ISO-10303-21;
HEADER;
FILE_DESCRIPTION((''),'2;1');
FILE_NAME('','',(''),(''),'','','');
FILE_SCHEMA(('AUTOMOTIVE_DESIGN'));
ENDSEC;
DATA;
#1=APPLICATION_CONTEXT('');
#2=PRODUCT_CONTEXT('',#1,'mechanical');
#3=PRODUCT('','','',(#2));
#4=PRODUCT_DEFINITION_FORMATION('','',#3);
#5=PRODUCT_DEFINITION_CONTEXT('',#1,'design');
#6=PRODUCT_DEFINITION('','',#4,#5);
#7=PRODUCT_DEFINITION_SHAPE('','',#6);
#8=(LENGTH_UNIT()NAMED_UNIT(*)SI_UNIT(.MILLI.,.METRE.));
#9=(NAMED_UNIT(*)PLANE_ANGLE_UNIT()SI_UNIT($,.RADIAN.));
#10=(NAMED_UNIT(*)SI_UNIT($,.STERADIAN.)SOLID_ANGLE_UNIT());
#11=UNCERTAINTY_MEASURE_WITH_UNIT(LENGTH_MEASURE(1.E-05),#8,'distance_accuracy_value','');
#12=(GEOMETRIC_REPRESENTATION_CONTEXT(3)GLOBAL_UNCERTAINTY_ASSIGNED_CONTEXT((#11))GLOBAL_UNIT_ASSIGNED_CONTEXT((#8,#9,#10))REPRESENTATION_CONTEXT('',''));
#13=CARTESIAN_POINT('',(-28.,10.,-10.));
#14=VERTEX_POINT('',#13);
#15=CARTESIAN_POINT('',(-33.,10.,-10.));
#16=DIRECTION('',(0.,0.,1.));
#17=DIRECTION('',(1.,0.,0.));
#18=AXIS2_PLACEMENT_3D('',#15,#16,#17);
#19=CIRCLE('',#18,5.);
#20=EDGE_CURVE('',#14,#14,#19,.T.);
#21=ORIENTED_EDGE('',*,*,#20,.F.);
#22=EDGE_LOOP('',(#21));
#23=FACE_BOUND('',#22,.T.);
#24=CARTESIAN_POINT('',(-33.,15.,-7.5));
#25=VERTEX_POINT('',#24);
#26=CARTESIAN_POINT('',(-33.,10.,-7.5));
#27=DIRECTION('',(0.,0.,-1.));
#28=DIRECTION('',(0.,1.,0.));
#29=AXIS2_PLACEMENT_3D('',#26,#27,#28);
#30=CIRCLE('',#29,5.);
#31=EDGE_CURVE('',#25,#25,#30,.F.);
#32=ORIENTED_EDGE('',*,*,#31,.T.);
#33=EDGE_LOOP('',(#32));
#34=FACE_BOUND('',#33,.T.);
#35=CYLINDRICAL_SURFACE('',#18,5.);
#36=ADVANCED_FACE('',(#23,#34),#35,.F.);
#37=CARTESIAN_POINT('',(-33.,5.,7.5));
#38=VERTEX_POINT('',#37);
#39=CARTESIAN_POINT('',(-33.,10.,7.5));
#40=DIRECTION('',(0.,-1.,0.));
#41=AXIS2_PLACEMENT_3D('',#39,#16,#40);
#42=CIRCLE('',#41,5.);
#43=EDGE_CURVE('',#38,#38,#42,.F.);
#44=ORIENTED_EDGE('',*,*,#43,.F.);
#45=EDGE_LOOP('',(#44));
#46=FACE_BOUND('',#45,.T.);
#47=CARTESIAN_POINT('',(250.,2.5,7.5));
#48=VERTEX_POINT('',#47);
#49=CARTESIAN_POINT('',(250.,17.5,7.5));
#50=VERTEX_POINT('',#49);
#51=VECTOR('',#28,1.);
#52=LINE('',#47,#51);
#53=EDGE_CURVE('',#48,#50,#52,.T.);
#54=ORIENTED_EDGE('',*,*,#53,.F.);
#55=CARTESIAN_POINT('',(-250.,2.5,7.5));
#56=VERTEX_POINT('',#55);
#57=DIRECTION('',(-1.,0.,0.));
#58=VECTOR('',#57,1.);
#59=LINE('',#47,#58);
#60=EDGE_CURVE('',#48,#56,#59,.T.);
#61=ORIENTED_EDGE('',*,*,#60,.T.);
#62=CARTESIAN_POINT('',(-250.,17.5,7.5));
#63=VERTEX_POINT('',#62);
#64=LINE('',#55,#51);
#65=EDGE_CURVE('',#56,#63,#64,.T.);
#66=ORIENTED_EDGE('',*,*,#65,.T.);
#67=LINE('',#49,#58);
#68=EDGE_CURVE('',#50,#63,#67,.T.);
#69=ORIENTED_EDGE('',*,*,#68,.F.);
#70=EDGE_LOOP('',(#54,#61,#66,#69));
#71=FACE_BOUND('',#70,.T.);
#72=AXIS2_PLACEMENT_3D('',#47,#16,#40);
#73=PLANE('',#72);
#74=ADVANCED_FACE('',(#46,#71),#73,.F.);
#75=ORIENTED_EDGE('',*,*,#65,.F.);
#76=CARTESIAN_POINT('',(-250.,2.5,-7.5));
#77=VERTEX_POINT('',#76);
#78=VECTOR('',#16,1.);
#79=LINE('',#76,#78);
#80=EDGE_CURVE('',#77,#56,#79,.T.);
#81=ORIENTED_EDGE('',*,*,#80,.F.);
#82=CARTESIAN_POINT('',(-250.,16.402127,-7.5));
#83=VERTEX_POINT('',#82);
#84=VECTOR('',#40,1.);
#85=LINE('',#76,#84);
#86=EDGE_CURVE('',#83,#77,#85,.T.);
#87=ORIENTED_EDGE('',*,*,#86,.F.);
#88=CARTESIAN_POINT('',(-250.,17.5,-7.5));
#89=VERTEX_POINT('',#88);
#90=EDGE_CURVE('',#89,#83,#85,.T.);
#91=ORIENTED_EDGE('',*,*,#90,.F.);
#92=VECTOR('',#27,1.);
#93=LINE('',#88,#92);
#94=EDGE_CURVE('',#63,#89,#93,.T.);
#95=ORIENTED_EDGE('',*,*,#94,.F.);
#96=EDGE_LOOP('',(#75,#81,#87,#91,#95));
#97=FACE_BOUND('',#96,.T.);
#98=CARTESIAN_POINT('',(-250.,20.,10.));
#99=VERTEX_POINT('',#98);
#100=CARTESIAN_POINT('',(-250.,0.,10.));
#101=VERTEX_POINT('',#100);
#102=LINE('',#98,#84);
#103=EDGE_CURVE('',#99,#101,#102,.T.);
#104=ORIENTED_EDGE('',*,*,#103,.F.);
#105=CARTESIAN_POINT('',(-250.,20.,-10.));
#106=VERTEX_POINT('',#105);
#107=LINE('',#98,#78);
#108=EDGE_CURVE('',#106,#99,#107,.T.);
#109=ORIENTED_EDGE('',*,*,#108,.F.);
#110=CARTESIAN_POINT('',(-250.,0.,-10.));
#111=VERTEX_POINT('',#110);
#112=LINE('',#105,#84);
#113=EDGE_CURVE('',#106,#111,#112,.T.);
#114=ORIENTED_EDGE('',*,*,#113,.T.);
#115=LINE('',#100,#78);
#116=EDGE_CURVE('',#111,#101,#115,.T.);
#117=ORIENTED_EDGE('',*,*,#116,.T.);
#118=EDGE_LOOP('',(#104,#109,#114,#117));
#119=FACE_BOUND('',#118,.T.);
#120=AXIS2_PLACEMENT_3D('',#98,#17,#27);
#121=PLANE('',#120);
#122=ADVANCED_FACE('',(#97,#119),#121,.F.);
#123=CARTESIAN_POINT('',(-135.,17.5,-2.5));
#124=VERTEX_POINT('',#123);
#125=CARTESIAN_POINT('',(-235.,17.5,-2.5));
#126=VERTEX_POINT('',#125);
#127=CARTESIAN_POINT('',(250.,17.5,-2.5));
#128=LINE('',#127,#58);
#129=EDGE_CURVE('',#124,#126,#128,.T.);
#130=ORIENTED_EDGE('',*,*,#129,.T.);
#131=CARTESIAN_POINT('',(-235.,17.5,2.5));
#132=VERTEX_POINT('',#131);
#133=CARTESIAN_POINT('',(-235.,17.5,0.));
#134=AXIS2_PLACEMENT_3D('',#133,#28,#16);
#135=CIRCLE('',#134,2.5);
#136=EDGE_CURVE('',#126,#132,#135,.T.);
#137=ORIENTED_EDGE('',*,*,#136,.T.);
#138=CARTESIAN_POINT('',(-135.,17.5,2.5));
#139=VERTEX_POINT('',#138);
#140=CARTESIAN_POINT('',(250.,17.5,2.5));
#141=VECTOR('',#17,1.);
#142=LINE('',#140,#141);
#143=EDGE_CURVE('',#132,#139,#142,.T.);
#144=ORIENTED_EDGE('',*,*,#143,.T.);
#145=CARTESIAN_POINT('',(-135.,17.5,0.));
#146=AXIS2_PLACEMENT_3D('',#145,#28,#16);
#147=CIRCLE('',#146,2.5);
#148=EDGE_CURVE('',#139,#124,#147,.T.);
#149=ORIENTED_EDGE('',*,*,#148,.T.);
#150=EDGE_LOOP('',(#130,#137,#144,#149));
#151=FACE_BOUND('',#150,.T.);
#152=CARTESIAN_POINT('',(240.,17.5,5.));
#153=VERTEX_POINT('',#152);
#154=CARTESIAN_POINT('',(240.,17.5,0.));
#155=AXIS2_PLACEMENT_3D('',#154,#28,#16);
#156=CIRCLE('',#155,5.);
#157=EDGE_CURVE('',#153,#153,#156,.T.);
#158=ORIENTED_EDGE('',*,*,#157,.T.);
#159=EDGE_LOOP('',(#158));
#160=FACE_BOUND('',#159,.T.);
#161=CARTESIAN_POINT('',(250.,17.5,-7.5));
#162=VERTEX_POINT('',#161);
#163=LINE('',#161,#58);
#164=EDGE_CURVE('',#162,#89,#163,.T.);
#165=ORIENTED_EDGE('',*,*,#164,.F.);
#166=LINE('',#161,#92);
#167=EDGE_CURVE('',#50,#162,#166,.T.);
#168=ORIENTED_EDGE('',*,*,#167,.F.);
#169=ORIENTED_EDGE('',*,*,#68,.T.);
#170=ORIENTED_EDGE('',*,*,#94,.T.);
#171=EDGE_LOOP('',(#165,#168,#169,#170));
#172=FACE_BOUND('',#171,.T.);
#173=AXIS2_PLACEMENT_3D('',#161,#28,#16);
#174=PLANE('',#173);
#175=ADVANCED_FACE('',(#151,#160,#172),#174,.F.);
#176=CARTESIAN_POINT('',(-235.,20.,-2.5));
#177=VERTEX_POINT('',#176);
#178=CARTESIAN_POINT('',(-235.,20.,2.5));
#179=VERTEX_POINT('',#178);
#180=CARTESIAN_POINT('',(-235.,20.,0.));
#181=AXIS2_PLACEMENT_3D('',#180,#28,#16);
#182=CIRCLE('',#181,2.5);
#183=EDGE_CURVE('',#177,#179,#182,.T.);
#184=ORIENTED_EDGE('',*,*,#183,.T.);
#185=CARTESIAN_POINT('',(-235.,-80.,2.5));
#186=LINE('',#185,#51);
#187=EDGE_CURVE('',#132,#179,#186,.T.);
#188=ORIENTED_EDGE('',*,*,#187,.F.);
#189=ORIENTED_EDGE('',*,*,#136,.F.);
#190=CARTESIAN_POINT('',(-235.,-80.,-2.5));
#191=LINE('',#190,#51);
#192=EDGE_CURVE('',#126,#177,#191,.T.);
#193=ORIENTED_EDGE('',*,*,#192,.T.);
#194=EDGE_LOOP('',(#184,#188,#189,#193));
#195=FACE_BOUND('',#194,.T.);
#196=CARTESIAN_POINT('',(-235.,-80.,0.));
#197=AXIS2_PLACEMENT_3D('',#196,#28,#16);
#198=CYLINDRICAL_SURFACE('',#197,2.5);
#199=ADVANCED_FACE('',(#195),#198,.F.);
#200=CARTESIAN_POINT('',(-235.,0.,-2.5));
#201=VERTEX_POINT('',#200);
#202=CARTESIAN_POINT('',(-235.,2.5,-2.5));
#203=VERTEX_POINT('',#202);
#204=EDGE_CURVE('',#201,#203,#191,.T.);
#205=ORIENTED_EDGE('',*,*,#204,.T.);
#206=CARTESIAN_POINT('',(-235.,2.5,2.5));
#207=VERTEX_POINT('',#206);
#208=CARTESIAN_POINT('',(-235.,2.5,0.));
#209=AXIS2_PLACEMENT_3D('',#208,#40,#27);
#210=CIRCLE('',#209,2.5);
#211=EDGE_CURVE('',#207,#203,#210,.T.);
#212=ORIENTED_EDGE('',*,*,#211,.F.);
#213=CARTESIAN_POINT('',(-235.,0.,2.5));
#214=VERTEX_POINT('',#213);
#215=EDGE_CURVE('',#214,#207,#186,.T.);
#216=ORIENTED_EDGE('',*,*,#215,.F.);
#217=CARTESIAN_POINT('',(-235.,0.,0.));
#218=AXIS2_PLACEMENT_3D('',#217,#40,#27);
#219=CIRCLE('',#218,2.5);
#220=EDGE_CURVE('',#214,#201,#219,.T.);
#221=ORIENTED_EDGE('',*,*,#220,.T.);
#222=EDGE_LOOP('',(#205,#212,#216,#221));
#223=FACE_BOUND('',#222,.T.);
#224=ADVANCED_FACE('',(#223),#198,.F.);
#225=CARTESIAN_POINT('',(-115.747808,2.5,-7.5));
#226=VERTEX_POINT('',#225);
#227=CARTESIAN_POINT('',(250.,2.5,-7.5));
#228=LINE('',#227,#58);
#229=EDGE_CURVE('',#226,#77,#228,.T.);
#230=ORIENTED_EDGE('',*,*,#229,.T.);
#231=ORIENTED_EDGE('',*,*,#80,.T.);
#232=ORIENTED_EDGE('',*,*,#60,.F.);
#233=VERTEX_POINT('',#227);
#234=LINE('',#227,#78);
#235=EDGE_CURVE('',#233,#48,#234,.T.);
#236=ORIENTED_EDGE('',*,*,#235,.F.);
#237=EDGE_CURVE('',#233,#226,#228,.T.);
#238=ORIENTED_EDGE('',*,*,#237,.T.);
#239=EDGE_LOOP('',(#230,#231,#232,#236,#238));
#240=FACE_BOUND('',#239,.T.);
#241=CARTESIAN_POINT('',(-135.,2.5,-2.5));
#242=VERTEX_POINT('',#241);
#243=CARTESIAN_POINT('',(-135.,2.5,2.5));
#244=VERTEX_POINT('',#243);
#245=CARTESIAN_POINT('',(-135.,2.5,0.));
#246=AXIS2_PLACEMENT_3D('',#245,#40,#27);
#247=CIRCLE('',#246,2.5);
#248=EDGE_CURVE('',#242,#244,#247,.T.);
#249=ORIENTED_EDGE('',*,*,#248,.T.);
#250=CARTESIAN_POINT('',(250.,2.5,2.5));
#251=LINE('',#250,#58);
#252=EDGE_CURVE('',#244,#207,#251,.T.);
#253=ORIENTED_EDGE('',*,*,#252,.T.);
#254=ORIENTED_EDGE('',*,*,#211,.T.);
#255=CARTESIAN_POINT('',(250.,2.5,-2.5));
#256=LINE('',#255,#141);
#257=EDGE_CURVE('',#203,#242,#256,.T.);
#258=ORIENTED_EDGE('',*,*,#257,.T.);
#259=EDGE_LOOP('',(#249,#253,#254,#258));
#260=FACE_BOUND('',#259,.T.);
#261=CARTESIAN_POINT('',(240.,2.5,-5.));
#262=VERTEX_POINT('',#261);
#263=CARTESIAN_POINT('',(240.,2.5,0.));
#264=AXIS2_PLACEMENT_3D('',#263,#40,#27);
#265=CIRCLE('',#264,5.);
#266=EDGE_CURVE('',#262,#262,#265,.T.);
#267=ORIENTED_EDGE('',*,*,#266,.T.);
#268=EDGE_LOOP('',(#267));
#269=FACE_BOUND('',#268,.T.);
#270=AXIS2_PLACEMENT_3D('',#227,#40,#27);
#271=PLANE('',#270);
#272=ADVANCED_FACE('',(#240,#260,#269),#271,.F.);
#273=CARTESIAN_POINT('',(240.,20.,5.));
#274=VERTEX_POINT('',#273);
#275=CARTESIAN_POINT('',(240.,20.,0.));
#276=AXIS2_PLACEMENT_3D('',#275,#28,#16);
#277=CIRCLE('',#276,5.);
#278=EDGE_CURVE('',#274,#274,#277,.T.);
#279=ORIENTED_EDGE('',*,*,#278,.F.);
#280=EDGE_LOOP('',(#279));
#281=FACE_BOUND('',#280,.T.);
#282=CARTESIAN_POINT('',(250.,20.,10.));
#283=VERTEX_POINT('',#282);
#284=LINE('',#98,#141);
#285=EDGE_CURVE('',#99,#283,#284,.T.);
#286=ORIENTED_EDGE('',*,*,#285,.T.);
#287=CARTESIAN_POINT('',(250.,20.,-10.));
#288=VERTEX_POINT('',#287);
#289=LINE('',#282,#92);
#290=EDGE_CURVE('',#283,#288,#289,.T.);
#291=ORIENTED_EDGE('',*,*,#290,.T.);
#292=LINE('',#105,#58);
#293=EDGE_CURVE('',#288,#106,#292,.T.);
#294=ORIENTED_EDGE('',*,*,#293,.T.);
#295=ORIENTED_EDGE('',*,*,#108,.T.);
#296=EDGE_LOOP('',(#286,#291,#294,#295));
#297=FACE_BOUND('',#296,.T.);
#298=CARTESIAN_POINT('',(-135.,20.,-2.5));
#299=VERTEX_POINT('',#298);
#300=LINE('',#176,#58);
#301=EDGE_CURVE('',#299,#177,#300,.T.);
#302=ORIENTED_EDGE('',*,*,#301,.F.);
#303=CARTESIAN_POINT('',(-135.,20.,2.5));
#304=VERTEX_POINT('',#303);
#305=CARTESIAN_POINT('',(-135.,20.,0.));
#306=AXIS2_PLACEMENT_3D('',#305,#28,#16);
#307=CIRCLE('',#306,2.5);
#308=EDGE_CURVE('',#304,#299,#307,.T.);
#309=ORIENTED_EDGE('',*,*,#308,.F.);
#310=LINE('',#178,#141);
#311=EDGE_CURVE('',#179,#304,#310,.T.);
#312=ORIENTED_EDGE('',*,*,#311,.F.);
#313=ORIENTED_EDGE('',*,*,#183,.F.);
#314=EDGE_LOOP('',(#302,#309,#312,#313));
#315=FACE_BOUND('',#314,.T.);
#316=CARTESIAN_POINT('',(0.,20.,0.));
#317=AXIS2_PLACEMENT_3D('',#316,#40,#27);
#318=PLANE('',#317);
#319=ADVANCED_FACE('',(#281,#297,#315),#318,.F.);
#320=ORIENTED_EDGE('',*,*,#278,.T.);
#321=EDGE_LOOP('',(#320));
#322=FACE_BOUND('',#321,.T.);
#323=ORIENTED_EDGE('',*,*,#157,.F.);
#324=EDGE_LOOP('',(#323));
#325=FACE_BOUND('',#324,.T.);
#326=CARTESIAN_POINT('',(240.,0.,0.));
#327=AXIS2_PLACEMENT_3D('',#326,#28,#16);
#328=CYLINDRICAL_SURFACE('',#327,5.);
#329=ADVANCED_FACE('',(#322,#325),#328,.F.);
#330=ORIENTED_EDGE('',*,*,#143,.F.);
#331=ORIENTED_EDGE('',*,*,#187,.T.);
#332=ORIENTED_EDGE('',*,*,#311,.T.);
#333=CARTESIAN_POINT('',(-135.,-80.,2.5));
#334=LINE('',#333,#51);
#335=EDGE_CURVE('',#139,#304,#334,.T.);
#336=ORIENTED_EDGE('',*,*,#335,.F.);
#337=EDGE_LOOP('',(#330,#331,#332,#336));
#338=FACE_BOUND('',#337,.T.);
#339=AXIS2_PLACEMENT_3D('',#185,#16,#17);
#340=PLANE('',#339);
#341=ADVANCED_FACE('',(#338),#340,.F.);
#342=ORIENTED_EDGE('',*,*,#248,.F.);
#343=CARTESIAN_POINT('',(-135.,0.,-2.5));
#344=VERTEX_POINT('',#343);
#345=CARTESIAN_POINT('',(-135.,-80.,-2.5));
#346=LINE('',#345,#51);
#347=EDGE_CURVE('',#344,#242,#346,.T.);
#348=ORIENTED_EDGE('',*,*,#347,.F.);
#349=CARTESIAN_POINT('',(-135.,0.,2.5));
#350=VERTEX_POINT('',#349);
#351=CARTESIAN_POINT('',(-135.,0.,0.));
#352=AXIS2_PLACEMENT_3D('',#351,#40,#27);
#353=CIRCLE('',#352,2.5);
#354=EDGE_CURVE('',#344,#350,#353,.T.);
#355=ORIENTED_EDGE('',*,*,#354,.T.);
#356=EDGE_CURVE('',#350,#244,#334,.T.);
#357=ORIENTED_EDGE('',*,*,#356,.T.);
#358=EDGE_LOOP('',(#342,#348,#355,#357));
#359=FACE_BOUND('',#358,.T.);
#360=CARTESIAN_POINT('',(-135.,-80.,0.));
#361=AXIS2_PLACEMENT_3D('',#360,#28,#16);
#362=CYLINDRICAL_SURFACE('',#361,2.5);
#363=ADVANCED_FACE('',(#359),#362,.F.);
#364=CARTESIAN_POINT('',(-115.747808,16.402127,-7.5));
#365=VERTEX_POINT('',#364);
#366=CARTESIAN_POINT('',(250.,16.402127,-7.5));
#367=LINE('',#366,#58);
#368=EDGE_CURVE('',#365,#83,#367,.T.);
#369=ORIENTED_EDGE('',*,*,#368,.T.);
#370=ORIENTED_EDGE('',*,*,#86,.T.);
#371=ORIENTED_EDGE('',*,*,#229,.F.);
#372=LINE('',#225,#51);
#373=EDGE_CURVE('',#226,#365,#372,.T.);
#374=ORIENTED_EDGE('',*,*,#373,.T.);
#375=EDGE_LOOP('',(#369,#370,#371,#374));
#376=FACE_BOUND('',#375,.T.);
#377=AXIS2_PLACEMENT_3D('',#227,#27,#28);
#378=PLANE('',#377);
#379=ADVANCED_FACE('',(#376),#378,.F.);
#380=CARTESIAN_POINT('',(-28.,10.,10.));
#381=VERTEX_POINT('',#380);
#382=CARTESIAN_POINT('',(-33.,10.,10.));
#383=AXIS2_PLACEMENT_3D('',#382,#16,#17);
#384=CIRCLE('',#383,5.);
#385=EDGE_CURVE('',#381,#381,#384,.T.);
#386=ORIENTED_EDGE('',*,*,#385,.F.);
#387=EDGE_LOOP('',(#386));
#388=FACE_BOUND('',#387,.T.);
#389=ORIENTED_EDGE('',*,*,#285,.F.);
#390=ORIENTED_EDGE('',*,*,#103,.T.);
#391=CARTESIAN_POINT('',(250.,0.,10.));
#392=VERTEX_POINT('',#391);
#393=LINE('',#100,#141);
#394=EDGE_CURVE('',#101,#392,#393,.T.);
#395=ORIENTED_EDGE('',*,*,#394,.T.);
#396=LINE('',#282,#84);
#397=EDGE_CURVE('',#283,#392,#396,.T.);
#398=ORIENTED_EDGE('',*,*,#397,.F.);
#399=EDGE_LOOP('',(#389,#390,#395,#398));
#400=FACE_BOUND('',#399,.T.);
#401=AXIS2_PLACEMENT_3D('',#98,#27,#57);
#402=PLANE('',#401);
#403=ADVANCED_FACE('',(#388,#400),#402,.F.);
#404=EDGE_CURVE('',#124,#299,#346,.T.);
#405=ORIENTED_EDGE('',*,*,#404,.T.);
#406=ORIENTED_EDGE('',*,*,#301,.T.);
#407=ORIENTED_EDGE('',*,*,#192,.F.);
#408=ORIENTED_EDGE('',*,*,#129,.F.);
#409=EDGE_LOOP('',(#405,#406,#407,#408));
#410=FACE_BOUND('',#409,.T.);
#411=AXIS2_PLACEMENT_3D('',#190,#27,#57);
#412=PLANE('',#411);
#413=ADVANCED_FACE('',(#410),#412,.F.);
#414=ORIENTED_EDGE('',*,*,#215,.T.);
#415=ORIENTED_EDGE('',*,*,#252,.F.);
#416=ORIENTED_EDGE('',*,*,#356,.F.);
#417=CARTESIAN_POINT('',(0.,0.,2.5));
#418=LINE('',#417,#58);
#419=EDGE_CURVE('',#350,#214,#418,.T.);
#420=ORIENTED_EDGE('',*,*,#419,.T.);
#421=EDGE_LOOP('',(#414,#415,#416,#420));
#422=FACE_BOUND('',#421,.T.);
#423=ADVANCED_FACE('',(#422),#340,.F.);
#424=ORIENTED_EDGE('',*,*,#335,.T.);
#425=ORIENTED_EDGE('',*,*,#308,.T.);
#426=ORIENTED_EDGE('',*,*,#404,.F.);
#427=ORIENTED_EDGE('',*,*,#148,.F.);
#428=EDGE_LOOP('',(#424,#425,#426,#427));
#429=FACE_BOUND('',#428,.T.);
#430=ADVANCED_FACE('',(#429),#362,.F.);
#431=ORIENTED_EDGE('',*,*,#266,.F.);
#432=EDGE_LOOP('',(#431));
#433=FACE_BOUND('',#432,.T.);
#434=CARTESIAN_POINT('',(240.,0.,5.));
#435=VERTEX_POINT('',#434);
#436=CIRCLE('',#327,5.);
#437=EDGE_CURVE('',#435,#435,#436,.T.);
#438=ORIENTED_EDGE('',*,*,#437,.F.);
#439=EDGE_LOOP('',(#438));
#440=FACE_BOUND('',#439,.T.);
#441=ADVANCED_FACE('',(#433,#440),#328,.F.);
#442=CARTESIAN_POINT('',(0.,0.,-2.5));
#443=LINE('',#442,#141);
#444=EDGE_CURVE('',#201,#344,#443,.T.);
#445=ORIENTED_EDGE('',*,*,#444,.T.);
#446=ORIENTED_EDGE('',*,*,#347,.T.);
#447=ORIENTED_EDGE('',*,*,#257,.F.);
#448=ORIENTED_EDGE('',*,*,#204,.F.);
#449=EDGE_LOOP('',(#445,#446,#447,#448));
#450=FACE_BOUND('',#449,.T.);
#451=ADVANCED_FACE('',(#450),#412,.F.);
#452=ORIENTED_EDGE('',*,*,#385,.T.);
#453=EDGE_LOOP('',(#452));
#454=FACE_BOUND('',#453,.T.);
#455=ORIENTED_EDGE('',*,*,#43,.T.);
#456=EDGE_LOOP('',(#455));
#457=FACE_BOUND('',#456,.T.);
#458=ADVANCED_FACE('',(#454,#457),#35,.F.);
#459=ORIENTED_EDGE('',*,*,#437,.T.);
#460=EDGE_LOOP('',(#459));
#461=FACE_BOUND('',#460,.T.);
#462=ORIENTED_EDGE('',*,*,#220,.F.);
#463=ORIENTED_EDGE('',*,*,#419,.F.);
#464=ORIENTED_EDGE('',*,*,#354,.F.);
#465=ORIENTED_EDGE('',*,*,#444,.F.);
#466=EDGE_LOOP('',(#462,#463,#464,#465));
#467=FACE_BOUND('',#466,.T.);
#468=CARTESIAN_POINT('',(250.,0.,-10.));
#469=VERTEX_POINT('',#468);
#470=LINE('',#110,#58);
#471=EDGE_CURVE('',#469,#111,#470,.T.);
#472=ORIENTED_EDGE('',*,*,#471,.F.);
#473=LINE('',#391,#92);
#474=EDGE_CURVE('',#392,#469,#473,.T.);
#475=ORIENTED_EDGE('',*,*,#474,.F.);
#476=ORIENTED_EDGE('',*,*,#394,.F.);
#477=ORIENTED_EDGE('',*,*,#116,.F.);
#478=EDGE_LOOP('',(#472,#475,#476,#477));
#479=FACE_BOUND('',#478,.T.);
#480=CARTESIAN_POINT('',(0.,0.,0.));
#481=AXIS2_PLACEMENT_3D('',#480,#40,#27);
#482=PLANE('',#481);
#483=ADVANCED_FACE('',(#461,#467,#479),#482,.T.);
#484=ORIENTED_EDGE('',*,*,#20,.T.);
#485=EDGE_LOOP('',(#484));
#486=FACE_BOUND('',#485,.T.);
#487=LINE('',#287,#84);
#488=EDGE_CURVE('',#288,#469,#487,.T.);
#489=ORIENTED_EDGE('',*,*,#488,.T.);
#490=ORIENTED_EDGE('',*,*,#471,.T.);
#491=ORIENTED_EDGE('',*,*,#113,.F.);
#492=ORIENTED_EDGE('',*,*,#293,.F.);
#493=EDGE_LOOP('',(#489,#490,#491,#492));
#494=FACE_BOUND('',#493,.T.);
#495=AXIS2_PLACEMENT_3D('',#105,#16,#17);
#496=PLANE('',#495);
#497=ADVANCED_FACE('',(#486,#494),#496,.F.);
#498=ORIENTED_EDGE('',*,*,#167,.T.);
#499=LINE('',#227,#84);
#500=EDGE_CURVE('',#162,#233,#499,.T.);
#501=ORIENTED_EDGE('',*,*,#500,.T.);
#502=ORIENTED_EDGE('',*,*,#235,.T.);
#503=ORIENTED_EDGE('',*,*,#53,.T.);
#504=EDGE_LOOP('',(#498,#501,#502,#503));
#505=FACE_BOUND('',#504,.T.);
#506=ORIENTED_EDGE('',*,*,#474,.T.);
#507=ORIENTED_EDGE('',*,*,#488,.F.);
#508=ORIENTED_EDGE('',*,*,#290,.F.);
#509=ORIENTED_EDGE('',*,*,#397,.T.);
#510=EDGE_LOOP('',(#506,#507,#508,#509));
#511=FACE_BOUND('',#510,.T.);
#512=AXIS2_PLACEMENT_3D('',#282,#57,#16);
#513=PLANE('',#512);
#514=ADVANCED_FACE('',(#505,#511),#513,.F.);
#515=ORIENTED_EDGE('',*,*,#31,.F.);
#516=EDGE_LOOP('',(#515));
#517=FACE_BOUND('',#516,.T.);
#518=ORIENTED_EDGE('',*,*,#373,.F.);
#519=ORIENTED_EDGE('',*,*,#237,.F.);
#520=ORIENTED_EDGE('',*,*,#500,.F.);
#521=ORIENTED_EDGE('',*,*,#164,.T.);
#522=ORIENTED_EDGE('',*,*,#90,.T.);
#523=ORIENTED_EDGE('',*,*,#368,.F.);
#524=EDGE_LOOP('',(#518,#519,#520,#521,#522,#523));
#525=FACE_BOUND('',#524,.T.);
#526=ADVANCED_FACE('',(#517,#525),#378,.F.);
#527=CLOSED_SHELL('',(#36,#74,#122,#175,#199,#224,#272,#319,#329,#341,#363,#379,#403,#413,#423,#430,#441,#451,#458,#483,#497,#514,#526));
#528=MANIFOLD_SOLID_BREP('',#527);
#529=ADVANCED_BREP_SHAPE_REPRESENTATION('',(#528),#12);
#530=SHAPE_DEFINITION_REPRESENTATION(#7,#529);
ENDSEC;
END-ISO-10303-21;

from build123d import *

# Parameters (mm, degrees)
SKETCH1_W           = 500
SKETCH1_H           = 20
BOSS_EXTRUDE1_DEPTH = 20
SKETCH6_R           = 5
CUT_EXTRUDE5_DEPTH  = 21
SKETCH8_W           = 15
SKETCH8_H           = 15
CUT_EXTRUDE7_DEPTH  = 501
CUT_EXTRUDE8_DEPTH  = 100
SKETCH10_R          = 5
CUT_EXTRUDE9_DEPTH  = 21


with BuildPart() as part:
    # Sketch1 → Boss-Extrude1 (new body)
    with BuildSketch(Plane(origin=(0, 0, 0), x_dir=(1, 0, 0), z_dir=(0, 1, 0))):
        Rectangle(SKETCH1_W, SKETCH1_H)
    extrude(amount=BOSS_EXTRUDE1_DEPTH)

    # Sketch6 → Cut-Extrude5 (cut, through all)
    with BuildSketch(Plane.XY.offset(10)):
        with Locations((-33, 10)):
            Circle(SKETCH6_R)
    extrude(amount=-CUT_EXTRUDE5_DEPTH, mode=Mode.SUBTRACT)

    # Sketch8 → Cut-Extrude7 (cut, through all)
    with BuildSketch(Plane.ZY.offset(250)):
        with Locations((0, 10)):
            Rectangle(SKETCH8_W, SKETCH8_H)
    extrude(amount=-CUT_EXTRUDE7_DEPTH, mode=Mode.SUBTRACT)

    # Sketch9 → Cut-Extrude8 (cut)
    with BuildSketch(Plane(origin=(0, 20, 0), x_dir=(1, 0, 0), z_dir=(0, 1, 0))):
        with BuildLine():
            Line((-235, 2.5), (-135, 2.5))
            ThreePointArc((-135, 2.5), (-132.5, 0), (-135, -2.5))
            Line((-135, -2.5), (-235, -2.5))
            ThreePointArc((-235, -2.5), (-237.5, 0), (-235, 2.5))
        make_face()
    extrude(amount=-CUT_EXTRUDE8_DEPTH, mode=Mode.SUBTRACT)

    # Sketch10 → Cut-Extrude9 (cut, through all)
    with BuildSketch(Plane(origin=(0, 20, 0), x_dir=(1, 0, 0), z_dir=(0, 1, 0))):
        with Locations((240, 0)):
            Circle(SKETCH10_R)
    extrude(amount=-CUT_EXTRUDE9_DEPTH, mode=Mode.SUBTRACT)


solid = part.part
